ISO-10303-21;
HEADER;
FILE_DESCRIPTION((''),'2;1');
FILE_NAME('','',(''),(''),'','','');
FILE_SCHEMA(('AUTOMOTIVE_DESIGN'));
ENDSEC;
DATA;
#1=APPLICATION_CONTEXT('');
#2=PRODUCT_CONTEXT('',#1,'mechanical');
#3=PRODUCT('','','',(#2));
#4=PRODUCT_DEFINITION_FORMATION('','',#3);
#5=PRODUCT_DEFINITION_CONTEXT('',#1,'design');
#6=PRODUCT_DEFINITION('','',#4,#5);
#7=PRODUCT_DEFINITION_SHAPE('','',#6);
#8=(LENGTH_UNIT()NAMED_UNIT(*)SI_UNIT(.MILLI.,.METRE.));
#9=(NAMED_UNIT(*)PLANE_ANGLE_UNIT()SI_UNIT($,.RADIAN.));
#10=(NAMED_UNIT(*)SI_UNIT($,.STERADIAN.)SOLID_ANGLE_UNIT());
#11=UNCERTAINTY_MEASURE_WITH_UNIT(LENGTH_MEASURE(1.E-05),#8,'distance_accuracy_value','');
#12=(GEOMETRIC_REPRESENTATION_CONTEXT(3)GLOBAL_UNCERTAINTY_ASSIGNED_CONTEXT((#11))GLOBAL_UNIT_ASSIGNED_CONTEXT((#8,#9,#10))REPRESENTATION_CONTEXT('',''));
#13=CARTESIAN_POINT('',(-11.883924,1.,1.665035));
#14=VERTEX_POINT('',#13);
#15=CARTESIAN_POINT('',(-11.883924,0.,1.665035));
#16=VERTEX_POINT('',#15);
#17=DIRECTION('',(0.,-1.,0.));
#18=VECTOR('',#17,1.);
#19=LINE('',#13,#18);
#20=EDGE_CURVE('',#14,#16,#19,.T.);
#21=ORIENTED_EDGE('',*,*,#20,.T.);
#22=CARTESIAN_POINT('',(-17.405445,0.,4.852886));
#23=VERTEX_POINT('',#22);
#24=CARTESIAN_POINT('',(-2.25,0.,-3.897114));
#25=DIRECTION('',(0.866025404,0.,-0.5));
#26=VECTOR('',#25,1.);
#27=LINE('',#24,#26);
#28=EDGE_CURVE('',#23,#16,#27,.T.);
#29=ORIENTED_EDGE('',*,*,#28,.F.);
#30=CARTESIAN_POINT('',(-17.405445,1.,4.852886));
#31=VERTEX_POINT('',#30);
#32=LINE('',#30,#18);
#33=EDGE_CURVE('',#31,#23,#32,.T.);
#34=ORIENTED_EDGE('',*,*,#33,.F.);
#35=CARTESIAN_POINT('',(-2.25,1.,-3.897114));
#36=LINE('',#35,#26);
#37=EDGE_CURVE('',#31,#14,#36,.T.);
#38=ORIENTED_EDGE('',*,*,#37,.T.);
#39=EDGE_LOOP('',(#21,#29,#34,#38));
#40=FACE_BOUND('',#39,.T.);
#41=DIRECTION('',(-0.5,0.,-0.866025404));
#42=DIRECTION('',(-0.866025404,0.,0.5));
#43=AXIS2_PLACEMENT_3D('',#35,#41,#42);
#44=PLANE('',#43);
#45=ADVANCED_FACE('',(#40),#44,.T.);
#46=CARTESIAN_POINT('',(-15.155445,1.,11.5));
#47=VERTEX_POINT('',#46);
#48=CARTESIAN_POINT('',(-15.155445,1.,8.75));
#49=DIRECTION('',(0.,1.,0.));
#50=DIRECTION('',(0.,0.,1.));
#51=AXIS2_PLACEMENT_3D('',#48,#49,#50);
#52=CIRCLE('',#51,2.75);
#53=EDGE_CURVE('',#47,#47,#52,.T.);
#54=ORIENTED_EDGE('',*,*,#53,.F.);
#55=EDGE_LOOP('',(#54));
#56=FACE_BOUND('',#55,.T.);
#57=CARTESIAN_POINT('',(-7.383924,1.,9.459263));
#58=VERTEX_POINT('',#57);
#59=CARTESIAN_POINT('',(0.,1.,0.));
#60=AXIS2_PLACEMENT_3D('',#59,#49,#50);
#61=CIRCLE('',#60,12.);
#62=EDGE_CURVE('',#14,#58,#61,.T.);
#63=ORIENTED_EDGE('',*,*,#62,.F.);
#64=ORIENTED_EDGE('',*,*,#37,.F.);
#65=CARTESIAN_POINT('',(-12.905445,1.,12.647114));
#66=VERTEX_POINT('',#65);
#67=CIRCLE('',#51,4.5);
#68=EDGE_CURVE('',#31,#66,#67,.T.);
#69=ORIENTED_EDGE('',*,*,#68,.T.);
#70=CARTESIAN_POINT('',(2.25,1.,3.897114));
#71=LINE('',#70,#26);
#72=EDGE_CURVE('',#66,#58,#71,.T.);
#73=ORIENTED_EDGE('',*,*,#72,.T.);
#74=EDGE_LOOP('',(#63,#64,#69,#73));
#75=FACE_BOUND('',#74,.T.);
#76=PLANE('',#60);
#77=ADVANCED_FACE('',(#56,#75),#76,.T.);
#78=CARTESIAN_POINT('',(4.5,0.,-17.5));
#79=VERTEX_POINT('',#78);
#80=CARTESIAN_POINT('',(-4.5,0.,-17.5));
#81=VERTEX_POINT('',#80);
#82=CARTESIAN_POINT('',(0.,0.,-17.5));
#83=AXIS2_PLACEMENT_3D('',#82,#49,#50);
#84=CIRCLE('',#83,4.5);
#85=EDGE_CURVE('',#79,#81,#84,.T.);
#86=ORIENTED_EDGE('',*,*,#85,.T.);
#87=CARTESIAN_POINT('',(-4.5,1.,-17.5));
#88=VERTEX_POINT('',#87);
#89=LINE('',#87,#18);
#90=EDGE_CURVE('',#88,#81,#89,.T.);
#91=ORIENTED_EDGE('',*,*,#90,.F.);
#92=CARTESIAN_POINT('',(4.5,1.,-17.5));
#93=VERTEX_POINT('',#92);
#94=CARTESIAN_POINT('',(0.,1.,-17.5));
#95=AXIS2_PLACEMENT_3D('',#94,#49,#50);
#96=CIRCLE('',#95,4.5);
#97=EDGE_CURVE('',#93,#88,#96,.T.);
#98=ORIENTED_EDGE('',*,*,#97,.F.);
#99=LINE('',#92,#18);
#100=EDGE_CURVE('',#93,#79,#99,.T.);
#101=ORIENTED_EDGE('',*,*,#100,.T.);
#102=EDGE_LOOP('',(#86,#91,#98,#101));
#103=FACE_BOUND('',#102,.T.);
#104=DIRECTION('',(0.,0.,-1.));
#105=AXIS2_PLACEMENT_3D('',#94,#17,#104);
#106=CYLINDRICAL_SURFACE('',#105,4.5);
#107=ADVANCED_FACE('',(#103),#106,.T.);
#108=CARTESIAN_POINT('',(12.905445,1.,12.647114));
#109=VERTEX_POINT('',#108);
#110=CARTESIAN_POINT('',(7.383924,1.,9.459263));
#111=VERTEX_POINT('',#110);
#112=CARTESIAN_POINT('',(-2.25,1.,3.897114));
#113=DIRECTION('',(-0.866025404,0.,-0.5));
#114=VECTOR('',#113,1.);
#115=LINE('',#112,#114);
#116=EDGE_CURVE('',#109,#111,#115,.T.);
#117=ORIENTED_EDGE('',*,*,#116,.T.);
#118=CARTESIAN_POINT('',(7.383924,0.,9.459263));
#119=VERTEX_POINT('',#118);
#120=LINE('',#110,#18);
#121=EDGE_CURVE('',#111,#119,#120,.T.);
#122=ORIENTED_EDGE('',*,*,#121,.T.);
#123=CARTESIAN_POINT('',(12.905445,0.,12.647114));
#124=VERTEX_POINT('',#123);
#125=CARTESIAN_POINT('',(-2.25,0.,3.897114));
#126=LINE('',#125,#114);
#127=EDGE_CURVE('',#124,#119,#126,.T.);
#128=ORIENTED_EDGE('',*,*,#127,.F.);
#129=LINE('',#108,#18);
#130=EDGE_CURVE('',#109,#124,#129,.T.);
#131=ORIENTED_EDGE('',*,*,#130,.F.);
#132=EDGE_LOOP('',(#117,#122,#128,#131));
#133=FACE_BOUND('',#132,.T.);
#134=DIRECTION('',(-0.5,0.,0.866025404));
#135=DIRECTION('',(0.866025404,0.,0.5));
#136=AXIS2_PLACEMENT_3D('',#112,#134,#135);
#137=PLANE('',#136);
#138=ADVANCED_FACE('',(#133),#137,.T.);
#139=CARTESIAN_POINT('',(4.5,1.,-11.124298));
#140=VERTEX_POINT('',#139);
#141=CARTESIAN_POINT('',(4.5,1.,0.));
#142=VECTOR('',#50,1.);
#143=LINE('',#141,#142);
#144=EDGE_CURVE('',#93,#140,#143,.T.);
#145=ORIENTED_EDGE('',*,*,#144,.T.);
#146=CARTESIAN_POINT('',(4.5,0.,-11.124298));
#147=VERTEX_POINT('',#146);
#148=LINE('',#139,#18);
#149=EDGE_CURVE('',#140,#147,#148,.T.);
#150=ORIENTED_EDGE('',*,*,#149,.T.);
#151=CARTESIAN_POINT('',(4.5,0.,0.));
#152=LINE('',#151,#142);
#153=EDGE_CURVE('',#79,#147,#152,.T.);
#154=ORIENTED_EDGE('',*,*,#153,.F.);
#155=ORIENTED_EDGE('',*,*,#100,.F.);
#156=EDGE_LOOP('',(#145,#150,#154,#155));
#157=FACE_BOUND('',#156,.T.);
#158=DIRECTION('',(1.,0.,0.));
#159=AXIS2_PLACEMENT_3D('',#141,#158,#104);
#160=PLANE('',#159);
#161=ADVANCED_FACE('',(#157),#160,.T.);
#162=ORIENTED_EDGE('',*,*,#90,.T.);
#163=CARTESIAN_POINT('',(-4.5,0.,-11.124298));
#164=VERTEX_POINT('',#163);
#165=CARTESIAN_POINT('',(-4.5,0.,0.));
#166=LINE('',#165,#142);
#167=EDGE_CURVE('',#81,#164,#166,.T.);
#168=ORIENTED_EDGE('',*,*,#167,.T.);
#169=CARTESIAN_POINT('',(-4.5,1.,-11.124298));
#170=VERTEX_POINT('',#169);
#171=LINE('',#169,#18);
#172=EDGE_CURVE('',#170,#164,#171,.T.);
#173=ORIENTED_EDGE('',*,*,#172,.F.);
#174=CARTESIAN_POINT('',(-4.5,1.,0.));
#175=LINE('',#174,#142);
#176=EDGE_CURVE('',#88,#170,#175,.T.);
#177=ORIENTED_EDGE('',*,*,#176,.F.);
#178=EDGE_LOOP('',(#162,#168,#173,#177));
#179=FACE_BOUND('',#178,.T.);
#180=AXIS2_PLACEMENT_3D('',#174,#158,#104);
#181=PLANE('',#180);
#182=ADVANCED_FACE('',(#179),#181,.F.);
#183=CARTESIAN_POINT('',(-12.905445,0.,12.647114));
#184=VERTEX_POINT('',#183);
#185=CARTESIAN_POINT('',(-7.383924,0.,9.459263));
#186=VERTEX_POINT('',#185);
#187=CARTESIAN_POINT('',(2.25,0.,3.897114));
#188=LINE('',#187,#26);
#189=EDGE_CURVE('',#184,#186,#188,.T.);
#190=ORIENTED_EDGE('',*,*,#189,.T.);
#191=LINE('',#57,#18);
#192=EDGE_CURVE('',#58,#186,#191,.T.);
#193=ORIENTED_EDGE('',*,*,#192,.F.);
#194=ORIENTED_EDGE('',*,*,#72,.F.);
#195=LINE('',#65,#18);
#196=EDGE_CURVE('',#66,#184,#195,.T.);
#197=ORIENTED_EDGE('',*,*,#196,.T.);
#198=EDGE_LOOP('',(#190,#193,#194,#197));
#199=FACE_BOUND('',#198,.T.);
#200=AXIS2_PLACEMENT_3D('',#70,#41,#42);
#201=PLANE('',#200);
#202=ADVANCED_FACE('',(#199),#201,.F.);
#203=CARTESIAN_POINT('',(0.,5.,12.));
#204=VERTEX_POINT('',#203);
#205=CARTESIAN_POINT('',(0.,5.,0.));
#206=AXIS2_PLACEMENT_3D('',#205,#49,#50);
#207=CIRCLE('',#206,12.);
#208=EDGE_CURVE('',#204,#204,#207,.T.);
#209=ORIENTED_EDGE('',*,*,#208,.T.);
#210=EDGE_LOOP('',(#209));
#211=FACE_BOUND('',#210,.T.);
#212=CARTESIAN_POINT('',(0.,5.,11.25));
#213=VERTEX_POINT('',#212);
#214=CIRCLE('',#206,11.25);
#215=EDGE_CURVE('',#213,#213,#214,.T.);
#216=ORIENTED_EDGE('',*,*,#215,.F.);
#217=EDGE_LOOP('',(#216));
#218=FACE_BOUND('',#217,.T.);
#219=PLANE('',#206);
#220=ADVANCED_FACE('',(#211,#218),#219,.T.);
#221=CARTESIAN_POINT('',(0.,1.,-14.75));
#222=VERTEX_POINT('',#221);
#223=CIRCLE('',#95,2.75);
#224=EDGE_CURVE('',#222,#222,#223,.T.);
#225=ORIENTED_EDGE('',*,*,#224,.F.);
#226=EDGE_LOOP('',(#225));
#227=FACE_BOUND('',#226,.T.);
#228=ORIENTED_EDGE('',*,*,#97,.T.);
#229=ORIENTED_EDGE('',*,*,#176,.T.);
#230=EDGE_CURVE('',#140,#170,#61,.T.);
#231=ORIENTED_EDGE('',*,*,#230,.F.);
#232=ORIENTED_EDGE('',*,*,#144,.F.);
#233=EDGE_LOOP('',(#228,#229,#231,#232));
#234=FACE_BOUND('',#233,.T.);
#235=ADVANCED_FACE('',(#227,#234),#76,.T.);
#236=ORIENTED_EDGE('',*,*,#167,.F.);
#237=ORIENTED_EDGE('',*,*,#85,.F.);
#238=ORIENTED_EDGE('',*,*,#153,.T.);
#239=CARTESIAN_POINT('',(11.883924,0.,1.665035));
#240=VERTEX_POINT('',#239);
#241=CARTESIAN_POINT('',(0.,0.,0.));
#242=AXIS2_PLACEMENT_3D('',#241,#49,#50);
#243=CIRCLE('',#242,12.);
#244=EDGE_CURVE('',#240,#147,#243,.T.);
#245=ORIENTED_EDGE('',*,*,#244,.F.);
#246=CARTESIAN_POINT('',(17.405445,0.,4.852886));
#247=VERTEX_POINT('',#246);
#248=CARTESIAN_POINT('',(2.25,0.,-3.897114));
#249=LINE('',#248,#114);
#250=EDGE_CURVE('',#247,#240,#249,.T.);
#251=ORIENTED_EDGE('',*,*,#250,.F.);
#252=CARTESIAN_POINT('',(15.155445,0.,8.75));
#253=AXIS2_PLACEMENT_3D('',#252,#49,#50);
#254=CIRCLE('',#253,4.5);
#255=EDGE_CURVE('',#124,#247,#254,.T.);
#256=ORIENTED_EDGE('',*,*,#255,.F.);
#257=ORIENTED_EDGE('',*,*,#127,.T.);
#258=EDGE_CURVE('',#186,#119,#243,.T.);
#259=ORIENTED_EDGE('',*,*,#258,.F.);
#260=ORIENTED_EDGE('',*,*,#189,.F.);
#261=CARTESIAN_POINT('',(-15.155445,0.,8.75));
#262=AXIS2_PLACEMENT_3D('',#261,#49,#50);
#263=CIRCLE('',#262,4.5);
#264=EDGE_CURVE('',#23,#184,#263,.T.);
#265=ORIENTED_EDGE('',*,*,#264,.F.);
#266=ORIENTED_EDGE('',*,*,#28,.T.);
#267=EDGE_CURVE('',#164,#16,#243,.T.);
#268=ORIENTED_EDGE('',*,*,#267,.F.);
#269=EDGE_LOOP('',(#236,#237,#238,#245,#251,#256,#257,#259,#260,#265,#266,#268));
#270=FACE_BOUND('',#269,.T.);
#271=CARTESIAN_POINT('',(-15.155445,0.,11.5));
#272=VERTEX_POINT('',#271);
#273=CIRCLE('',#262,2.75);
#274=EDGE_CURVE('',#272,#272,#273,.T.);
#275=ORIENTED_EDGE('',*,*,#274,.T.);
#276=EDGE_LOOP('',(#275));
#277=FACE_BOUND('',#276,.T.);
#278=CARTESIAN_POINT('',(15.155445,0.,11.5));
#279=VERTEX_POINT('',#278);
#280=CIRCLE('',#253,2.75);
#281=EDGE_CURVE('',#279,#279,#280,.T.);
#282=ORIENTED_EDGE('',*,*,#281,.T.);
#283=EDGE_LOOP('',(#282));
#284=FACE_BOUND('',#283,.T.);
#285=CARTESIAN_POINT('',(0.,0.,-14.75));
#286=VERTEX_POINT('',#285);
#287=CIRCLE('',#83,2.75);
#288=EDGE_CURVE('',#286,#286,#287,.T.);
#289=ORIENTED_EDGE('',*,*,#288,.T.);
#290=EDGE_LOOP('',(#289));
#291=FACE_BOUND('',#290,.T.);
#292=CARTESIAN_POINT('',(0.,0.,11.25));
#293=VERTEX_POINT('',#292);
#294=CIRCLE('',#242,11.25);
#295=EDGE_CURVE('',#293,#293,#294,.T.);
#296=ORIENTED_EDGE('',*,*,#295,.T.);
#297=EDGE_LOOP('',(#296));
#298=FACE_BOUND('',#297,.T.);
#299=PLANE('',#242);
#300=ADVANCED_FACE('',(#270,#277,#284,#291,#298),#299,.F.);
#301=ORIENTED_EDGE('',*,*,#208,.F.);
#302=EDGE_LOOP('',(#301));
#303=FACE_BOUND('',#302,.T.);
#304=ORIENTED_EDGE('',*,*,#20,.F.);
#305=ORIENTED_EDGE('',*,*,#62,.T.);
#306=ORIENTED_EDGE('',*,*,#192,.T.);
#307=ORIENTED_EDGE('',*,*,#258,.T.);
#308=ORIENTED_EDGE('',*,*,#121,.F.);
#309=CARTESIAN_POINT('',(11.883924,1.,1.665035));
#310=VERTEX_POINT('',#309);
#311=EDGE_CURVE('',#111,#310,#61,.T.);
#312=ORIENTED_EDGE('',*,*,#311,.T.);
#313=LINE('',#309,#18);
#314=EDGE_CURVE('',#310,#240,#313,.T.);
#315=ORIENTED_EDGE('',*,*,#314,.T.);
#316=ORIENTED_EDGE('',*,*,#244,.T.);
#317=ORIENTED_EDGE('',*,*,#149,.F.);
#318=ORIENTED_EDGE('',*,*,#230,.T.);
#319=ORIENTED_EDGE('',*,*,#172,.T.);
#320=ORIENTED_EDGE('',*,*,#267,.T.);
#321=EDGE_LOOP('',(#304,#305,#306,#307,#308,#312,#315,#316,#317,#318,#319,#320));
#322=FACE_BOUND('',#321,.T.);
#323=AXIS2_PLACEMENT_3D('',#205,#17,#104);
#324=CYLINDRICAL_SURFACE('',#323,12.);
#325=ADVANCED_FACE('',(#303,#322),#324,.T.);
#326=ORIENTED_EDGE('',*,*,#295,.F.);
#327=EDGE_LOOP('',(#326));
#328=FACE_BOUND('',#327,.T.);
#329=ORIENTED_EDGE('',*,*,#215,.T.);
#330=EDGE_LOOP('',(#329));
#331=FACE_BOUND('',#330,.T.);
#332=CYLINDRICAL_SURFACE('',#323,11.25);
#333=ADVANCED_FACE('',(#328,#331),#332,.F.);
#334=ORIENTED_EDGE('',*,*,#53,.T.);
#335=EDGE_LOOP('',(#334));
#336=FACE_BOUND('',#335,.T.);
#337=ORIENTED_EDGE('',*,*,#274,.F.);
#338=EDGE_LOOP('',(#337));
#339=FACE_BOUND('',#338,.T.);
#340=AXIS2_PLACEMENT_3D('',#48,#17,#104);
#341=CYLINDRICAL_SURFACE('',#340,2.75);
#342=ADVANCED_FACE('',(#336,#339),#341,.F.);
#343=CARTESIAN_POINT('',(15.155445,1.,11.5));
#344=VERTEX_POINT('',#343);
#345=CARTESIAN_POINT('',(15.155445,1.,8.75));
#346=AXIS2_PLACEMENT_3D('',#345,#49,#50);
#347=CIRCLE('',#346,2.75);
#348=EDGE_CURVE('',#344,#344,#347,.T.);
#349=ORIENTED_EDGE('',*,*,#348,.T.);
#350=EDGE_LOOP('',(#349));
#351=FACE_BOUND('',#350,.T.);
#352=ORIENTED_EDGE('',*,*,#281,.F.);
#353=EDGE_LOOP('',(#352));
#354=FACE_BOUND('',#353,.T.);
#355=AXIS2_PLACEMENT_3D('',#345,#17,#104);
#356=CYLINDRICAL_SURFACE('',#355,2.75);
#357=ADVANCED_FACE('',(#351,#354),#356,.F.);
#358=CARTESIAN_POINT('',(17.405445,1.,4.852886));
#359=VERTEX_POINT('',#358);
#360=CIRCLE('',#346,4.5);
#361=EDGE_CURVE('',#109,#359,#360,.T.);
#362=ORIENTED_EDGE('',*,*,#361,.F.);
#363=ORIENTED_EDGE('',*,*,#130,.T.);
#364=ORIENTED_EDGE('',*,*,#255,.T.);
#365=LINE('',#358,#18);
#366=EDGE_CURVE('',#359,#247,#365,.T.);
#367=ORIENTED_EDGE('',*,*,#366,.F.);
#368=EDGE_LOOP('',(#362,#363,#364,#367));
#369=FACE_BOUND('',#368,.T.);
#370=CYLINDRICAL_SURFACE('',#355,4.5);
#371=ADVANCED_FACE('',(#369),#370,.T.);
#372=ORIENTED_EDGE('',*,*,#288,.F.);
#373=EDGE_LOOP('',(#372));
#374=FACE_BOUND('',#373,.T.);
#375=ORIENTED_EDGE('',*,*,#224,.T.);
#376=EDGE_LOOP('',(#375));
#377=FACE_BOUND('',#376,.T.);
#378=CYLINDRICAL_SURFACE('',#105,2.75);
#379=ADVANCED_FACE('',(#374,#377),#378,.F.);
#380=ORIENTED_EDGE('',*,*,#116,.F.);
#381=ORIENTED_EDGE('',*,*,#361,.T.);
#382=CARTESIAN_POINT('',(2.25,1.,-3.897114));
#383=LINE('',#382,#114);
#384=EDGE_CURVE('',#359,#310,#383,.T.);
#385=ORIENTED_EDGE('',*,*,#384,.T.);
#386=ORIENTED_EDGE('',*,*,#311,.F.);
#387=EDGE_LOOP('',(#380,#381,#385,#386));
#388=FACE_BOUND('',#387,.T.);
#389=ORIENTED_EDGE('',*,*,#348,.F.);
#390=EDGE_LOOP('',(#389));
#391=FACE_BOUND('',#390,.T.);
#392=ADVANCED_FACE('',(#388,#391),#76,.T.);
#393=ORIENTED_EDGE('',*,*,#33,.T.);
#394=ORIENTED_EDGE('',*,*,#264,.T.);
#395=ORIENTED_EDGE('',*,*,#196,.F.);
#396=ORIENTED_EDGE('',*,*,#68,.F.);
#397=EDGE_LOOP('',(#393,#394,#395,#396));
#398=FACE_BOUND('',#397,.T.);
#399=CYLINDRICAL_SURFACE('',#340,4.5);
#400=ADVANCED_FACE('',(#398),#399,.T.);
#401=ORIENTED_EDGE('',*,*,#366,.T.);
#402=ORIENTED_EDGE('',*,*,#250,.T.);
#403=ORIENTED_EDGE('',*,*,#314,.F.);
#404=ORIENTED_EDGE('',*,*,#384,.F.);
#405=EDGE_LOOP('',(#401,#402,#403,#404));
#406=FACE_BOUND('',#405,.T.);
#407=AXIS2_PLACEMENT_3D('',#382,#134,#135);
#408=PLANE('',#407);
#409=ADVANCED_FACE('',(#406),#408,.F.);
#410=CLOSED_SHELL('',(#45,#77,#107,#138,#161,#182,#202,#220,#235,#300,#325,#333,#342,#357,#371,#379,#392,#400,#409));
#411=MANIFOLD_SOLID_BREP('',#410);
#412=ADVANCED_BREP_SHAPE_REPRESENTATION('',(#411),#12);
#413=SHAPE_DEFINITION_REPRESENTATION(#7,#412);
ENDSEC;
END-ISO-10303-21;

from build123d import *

# Parameters (mm, degrees)
SKETCH1_R             = 2.75
BOSS_EXTRUDE1_DEPTH   = 1
BOSS_EXTRUDE1_2_DEPTH = 1
BOSS_EXTRUDE1_3_DEPTH = 1
SKETCH1_4_R           = 11.25
BOSS_EXTRUDE2_DEPTH   = 5


with BuildPart() as part:
    # Sketch1 → Boss-Extrude1 (new body)
    with BuildSketch(Plane(origin=(0, 0, 0), x_dir=(1, 0, 0), z_dir=(0, 1, 0))):
        with BuildLine():
            ThreePointArc((12.905444566, -12.647114317), (19.052558883, -11), (17.405444566, -4.852885683))
            Line((17.405444566, -4.852885683), (11.883924434, -1.665034548))
            ThreePointArc((11.883924434, -1.665034548), (10.392304845, -6), (7.383924434, -9.459263182))
            Line((7.383924434, -9.459263182), (12.905444566, -12.647114317))
        make_face()
        with Locations((15.155444566, -8.75)):
            Circle(SKETCH1_R, mode=Mode.SUBTRACT)
    extrude(amount=BOSS_EXTRUDE1_DEPTH)



with BuildPart() as body_2:
    # Sketch1 → Boss-Extrude1 2 (new body)
    with BuildSketch(Plane(origin=(0, 0, 0), x_dir=(1, 0, 0), z_dir=(0, 1, 0))):
        with BuildLine():
            ThreePointArc((-17.405444566, -4.852885683), (-19.052558883, -11), (-12.905444566, -12.647114317))
            Line((-12.905444566, -12.647114317), (-7.383924434, -9.459263182))
            ThreePointArc((-7.383924434, -9.459263182), (-10.392304845, -6), (-11.883924434, -1.665034548))
            Line((-11.883924434, -1.665034548), (-17.405444566, -4.852885683))
        make_face()
        with Locations((-15.155444566, -8.75)):
            Circle(SKETCH1_R, mode=Mode.SUBTRACT)
    extrude(amount=BOSS_EXTRUDE1_2_DEPTH)


with BuildPart() as body_3:
    # Sketch1 → Boss-Extrude1 3 (new body)
    with BuildSketch(Plane(origin=(0, 0, 0), x_dir=(1, 0, 0), z_dir=(0, 1, 0))):
        with BuildLine():
            ThreePointArc((-4.5, 11.124297731), (0, 12), (4.5, 11.124297731))
            Line((4.5, 11.124297731), (4.5, 17.5))
            ThreePointArc((4.5, 17.5), (0, 22), (-4.5, 17.5))
            Line((-4.5, 17.5), (-4.5, 11.124297731))
        make_face()
        with Locations((0, 17.5)):
            Circle(SKETCH1_R, mode=Mode.SUBTRACT)
    extrude(amount=BOSS_EXTRUDE1_3_DEPTH)


with BuildPart() as part_1:
    add(part.part)

    add(body_2.part)  # Boss-Extrude2 merges body 2

    add(body_3.part)  # Boss-Extrude2 merges body 3
    # Sketch1<4> → Boss-Extrude2 (add)
    with BuildSketch(Plane(origin=(0, 0, 0), x_dir=(1, 0, 0), z_dir=(0, 1, 0))):
        with BuildLine():
            ThreePointArc((7.383924434, -9.459263182), (10.392304845, -6), (11.883924434, -1.665034548))
            ThreePointArc((11.883924434, -1.665034548), (11.970945936, -0.834537834), (12, 0))
            ThreePointArc((12, 0), (9.949874371, 6.708203932), (4.5, 11.124297731))
            ThreePointArc((4.5, 11.124297731), (0, 12), (-4.5, 11.124297731))
            ThreePointArc((-4.5, 11.124297731), (-10.392304845, 6), (-11.883924434, -1.665034548))
            ThreePointArc((-11.883924434, -1.665034548), (-10.392304845, -6), (-7.383924434, -9.459263182))
            ThreePointArc((-7.383924434, -9.459263182), (0, -12), (7.383924434, -9.459263182))
        make_face()
        Circle(SKETCH1_4_R, mode=Mode.SUBTRACT)
    extrude(amount=BOSS_EXTRUDE2_DEPTH)


solid = part_1.part
